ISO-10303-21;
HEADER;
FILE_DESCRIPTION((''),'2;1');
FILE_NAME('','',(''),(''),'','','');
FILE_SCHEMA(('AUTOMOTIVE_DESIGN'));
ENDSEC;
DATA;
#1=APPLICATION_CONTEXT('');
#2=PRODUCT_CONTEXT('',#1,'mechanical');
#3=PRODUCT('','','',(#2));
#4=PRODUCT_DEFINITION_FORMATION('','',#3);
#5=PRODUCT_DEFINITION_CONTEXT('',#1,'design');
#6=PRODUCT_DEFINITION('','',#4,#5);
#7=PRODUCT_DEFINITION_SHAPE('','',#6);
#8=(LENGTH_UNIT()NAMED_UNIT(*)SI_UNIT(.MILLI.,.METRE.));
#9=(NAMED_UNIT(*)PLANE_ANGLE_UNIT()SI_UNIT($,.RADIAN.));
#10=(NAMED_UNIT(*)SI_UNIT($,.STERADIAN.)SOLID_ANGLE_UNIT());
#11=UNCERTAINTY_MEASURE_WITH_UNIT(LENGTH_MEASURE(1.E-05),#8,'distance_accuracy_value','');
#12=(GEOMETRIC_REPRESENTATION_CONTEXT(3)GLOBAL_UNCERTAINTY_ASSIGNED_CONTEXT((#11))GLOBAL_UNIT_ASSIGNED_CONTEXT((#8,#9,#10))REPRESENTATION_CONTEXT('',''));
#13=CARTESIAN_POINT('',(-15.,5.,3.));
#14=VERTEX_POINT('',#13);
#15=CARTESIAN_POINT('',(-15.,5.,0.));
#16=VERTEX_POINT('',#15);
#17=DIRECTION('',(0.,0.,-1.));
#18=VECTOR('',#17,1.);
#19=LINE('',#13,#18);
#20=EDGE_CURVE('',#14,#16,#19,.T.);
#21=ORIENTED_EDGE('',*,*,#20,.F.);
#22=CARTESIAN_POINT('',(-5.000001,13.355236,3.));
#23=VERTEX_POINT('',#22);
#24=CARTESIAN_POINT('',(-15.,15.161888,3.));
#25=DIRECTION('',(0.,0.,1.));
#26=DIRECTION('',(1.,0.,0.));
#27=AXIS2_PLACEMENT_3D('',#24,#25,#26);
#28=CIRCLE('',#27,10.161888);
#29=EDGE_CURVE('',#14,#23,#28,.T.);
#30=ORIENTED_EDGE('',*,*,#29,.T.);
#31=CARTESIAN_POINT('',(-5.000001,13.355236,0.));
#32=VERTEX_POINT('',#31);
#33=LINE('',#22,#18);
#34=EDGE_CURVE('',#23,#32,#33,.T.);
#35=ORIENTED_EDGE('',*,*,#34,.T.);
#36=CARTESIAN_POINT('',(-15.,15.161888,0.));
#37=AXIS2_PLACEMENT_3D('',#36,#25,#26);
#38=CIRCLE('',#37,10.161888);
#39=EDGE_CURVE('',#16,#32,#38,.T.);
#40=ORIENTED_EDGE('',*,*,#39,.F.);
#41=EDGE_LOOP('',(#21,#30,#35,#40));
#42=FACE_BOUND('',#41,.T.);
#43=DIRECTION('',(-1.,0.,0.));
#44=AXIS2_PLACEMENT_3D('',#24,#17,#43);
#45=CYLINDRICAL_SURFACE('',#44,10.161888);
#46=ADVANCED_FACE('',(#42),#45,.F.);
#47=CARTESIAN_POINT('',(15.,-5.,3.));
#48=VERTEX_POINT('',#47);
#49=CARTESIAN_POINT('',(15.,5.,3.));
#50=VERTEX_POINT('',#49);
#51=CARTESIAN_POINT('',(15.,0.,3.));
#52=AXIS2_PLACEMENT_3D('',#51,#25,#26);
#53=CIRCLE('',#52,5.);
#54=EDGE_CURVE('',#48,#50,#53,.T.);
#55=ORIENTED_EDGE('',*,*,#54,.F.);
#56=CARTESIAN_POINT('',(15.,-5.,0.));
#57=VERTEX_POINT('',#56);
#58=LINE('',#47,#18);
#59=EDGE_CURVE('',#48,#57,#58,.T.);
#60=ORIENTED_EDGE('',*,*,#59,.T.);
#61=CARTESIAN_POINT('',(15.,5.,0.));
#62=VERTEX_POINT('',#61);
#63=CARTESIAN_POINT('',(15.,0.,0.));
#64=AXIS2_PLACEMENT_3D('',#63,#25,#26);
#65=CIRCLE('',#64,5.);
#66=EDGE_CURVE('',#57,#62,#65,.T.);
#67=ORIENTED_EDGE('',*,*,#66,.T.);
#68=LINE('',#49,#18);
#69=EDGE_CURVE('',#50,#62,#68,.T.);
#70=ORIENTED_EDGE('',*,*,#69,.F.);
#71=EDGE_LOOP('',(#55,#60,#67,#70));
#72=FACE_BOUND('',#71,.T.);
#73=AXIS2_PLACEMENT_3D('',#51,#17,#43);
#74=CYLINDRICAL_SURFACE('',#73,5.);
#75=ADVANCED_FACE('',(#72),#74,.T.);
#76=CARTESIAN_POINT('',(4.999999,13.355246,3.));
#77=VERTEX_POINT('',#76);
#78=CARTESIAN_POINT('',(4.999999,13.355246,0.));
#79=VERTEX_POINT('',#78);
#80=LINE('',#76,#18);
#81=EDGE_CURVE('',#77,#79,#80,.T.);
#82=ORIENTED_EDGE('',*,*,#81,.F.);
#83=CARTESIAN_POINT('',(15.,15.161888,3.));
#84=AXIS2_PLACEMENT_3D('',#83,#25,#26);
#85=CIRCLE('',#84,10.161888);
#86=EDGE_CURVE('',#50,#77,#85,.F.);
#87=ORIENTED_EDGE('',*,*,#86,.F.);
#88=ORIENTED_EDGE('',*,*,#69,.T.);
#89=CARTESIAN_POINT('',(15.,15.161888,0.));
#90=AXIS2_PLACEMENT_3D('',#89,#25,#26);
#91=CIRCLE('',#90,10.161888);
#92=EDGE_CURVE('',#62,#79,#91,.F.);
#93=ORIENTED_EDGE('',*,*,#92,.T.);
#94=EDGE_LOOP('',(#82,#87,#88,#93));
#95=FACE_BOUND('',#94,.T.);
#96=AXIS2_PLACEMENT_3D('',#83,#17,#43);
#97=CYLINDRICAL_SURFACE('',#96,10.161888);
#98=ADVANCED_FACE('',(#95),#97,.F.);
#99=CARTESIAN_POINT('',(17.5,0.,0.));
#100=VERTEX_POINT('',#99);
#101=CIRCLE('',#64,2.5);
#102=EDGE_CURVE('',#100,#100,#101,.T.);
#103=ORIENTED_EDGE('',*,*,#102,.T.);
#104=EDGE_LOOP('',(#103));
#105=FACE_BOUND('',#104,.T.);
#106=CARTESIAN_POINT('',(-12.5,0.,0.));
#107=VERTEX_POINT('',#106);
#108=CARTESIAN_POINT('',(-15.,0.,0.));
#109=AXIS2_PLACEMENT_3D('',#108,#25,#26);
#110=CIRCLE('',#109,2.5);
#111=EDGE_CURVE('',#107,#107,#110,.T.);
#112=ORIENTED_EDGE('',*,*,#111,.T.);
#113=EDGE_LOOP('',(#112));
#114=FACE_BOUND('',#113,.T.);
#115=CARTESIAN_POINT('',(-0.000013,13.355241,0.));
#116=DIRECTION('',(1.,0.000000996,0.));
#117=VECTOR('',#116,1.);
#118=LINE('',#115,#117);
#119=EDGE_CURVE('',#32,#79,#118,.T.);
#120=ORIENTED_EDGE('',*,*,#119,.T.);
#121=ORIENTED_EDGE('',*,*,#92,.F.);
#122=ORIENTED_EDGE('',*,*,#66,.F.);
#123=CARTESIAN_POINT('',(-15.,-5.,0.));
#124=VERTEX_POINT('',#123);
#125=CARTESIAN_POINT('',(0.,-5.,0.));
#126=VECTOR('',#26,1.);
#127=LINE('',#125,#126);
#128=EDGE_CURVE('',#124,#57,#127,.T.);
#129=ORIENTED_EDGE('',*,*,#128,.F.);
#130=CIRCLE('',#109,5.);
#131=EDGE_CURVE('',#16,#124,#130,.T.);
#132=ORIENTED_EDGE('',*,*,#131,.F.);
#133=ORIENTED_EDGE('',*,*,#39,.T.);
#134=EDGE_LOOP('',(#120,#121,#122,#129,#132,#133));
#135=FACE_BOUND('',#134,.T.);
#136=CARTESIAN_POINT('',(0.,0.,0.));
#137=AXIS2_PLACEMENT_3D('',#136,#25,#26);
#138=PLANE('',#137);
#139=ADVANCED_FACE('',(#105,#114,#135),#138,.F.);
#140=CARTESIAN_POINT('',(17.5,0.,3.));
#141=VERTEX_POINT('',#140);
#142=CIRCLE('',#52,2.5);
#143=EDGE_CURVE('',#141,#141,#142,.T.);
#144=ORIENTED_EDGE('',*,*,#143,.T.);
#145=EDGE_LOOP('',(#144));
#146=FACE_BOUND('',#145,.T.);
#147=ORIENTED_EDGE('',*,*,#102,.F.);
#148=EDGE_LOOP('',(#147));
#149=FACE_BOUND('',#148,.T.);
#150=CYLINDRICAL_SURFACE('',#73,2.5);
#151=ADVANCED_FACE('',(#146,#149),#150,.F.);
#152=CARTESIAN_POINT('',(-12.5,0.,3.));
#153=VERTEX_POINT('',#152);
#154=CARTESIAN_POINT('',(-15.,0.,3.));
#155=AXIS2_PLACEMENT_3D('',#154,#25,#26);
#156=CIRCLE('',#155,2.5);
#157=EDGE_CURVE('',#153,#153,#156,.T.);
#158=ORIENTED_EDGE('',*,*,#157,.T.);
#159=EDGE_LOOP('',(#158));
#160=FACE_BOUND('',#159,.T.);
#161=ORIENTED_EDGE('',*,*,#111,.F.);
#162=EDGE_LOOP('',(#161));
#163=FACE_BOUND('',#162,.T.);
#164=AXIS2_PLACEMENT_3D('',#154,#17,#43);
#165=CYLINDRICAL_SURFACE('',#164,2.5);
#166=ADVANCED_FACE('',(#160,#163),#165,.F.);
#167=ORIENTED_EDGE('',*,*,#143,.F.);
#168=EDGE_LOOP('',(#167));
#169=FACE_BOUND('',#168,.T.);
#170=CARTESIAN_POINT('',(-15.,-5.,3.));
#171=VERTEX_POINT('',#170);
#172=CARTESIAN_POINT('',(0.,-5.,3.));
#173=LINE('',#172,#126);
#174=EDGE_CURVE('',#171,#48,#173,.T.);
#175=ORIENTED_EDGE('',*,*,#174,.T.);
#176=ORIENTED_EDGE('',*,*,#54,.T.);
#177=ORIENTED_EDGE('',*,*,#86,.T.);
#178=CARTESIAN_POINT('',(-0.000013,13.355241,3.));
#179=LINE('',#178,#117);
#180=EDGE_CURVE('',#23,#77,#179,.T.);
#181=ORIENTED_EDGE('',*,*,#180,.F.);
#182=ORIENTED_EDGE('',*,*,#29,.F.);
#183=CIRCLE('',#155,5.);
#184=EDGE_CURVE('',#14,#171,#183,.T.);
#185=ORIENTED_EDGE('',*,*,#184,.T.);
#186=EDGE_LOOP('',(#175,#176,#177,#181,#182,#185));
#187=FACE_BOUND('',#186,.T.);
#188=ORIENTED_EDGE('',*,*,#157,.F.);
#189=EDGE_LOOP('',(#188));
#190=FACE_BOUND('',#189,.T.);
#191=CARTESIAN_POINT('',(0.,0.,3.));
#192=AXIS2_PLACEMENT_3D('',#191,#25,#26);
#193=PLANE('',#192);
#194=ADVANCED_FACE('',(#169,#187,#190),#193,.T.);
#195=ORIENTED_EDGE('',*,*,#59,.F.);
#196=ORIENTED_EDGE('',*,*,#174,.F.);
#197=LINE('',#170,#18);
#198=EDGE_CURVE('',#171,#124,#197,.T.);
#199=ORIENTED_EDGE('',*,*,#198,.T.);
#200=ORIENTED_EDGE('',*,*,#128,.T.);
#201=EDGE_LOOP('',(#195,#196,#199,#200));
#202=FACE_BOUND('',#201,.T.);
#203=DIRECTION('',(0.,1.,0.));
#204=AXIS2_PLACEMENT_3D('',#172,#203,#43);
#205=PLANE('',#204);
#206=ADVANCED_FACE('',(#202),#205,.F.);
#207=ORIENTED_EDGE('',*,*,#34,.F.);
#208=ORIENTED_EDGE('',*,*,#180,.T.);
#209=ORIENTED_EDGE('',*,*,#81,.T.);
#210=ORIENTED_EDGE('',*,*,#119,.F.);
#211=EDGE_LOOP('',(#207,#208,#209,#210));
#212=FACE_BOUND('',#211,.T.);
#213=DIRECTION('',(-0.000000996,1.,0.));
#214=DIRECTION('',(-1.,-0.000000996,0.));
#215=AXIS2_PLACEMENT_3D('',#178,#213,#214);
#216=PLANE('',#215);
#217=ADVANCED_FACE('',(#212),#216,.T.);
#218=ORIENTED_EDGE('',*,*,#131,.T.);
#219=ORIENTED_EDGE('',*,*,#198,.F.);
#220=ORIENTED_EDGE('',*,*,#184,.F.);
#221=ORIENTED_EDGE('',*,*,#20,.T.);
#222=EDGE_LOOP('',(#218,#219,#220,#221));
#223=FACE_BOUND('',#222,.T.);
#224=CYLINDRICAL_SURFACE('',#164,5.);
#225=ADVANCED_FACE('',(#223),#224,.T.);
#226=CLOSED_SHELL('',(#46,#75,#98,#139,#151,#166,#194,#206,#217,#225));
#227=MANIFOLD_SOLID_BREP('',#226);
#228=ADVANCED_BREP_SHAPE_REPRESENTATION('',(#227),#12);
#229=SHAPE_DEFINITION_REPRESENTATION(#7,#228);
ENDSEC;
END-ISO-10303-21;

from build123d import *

# Parameters (mm, degrees)
SKETCH1_R           = 2.5
BOSS_EXTRUDE1_DEPTH = 3


with BuildPart() as part:
    # Sketch1 → Boss-Extrude1 (new body)
    with BuildSketch(Plane.XY):
        with BuildLine():
            Line((-15, -5), (15, -5))
            ThreePointArc((15, -5), (20, 0), (15, 5))
            ThreePointArc((15, 5), (8.484438885, 7.363719427), (4.9999991, 13.355245572))
            Line((4.9999991, 13.355245572), (-5.0000009, 13.35523561))
            ThreePointArc((-5.0000009, 13.35523561), (-8.48444277, 7.363716181), (-15, 5))
            ThreePointArc((-15, 5), (-20, 0), (-15, -5))
        make_face()
        with Locations((-15, 0)):
            Circle(SKETCH1_R, mode=Mode.SUBTRACT)
        with Locations((15, 0)):
            Circle(SKETCH1_R, mode=Mode.SUBTRACT)
    extrude(amount=BOSS_EXTRUDE1_DEPTH)


solid = part.part
